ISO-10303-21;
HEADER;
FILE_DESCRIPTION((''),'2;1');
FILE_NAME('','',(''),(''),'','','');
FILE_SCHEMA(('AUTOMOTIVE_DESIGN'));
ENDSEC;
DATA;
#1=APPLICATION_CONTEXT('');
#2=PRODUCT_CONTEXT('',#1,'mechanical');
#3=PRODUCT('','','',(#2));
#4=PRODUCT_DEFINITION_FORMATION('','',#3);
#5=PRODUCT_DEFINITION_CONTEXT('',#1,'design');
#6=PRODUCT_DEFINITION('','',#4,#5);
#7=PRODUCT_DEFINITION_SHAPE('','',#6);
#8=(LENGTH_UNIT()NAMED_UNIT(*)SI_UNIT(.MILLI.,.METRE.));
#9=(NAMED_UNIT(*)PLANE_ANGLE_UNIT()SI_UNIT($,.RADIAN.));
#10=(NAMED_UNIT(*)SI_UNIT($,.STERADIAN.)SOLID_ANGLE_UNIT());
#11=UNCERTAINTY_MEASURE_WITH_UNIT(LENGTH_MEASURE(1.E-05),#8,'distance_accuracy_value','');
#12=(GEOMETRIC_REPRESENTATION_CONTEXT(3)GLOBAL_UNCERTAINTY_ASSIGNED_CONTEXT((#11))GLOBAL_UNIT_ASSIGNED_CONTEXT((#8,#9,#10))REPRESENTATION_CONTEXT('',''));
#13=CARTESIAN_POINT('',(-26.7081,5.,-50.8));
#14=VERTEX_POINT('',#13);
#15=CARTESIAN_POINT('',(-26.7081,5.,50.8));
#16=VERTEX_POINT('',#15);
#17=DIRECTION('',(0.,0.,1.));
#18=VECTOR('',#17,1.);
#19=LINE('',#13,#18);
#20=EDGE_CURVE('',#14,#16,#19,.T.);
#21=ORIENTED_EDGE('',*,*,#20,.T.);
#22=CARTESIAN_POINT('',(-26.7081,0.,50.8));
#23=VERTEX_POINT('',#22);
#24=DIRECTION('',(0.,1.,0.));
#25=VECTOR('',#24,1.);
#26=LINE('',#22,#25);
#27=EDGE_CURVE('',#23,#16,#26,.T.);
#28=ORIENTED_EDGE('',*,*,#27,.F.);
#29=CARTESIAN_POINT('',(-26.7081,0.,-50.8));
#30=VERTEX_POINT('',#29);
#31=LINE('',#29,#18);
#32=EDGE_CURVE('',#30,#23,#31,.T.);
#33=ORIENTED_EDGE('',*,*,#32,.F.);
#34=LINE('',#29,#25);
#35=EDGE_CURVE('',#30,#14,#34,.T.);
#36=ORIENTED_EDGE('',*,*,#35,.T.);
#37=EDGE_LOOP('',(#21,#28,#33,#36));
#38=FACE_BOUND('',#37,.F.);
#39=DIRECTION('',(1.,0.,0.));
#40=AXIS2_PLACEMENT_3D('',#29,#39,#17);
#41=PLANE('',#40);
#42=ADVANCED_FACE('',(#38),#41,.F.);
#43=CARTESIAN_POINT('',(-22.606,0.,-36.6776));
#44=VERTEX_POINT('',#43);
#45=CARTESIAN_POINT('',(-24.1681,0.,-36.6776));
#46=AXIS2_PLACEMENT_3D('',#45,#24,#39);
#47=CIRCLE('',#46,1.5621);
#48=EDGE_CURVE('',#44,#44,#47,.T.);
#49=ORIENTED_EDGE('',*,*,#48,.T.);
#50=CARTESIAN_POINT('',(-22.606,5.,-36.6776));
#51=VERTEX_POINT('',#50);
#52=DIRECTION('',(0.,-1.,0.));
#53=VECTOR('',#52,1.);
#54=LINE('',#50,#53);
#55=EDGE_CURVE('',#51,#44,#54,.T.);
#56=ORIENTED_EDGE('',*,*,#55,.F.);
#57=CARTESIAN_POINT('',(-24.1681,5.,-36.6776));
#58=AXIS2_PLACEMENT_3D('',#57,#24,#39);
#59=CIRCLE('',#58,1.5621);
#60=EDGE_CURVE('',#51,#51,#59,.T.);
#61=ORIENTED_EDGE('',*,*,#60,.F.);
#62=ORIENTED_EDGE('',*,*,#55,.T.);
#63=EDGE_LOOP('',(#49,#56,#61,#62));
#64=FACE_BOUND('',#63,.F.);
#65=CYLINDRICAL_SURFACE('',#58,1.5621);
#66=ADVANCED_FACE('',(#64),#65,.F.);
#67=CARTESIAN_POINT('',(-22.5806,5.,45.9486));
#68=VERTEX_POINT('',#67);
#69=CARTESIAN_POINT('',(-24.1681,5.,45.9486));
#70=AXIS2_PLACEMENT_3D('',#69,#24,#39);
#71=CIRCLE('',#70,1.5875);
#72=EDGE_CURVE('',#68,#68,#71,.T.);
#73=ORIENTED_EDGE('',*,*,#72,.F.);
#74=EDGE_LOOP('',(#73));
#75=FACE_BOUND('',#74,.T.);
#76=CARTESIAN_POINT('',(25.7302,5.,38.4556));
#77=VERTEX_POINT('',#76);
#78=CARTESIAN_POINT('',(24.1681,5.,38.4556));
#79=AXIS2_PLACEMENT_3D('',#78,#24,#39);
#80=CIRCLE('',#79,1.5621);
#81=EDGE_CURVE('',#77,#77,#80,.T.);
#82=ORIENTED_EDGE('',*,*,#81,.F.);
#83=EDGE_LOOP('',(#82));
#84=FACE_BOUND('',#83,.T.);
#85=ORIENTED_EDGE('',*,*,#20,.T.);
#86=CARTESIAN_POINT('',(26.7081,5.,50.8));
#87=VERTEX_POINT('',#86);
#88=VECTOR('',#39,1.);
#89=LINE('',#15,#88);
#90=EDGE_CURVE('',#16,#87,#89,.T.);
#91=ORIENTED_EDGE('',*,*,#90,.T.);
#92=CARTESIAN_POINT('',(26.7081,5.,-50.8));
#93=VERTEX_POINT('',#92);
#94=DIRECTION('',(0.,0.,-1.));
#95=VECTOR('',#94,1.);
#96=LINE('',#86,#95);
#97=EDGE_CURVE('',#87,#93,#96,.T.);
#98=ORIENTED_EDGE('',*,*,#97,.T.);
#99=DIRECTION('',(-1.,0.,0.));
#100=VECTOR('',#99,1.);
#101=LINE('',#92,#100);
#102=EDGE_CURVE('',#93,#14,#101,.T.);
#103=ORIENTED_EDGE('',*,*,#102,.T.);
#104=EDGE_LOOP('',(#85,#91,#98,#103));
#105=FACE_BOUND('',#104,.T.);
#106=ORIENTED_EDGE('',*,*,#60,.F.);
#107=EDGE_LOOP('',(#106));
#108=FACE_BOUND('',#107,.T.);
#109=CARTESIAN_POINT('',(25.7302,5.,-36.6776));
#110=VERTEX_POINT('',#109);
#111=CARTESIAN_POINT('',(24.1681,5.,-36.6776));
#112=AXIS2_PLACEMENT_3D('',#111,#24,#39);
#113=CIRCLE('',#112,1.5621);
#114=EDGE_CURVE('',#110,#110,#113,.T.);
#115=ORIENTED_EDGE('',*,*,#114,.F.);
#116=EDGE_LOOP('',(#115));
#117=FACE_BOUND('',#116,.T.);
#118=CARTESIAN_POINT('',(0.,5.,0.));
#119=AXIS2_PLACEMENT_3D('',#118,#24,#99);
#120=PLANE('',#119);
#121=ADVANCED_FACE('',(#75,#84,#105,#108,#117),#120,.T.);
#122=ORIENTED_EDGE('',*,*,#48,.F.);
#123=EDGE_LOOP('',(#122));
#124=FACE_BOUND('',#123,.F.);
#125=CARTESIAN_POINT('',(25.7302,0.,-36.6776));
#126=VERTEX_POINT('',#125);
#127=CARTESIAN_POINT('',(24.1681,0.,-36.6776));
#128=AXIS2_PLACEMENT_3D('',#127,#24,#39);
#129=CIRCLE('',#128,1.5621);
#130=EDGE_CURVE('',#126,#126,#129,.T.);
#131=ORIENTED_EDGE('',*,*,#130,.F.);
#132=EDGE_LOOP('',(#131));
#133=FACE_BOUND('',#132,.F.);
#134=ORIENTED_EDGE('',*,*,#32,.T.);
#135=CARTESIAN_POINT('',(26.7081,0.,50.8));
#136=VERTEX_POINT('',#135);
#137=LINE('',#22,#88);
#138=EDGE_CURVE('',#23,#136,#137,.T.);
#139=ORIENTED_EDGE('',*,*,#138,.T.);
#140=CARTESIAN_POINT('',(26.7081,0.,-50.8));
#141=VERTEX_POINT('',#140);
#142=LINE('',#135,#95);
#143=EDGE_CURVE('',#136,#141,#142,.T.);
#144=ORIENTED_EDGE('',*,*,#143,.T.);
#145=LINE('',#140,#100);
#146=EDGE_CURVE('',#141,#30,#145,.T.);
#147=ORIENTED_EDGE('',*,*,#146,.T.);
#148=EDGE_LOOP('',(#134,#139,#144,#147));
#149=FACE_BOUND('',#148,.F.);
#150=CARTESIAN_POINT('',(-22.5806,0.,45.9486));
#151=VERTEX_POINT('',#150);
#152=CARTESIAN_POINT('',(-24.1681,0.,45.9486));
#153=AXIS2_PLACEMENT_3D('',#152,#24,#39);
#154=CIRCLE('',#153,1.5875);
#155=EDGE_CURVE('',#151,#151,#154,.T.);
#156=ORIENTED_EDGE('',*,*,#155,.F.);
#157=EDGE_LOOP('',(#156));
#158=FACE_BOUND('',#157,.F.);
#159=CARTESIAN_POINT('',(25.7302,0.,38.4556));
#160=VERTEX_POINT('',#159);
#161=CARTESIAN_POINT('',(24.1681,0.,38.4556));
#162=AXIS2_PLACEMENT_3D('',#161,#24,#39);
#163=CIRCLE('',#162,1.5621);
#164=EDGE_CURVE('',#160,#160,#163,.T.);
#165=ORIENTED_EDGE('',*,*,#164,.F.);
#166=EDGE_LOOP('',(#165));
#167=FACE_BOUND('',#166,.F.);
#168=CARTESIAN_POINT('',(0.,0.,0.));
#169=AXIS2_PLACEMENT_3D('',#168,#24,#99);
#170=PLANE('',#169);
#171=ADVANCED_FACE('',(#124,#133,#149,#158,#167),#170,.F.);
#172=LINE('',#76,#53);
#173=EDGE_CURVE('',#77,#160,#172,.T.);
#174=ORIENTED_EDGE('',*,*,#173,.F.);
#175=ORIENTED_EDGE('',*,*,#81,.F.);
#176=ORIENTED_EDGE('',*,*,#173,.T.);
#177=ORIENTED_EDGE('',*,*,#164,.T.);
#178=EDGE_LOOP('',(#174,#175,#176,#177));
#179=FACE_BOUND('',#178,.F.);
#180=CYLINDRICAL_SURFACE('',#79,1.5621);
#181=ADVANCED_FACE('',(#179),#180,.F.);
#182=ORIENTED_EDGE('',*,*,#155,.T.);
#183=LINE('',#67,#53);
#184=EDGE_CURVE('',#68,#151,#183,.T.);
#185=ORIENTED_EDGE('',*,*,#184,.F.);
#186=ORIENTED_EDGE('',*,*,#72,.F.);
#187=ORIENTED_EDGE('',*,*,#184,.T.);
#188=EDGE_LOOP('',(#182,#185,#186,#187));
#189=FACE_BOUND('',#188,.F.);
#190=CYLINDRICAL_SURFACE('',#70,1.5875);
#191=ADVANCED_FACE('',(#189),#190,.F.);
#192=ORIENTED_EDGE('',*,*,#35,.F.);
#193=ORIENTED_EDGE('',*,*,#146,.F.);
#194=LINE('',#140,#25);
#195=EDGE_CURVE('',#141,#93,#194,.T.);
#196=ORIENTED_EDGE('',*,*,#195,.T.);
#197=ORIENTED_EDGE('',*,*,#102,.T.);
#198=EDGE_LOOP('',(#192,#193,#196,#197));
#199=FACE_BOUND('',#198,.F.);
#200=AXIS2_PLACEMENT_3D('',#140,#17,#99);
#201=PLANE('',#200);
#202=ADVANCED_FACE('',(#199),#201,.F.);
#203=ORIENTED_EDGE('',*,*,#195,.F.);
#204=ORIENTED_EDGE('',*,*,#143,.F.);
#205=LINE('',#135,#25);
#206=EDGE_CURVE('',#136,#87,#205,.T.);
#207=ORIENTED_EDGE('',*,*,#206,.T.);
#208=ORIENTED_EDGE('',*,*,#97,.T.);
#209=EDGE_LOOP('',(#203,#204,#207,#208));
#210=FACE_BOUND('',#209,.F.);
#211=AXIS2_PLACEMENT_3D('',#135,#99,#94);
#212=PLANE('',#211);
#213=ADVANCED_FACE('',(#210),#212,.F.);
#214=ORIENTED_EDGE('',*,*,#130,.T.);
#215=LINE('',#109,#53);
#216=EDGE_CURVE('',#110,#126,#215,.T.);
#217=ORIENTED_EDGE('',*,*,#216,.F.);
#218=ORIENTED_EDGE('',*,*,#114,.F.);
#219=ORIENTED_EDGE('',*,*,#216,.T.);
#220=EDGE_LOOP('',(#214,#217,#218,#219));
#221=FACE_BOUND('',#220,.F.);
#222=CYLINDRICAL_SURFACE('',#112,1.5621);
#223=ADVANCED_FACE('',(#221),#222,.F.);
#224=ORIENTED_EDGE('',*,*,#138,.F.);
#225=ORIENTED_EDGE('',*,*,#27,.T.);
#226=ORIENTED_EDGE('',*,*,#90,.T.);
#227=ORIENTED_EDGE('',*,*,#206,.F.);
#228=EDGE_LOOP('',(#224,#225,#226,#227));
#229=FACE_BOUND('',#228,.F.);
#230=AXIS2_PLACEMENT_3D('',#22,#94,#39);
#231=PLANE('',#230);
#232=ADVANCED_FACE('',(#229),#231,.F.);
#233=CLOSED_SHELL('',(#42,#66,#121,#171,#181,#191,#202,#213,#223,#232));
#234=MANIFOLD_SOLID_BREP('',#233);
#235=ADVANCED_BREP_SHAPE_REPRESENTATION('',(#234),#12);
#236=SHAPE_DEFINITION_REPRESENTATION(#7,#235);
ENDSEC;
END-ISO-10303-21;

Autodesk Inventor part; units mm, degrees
ref_plane "YZ Plane" through (0, 0, 0) normal (1, 0, 0) x (0, 1, 0)
ref_plane "XZ Plane" through (0, 0, 0) normal (0, 1, 0) x (-1, 0, 0)
ref_plane "XY Plane" through (0, 0, 0) normal (0, 0, 1) x (1, 0, 0)
sketch "Sketch1" plane through (0, 0, 0) normal (0, 1, 0) x (-1, 0, 0)
  line L0 (26.7081, 50.8) -> (-26.7081, 50.8)
  line L1 (-26.7081, 50.8) -> (-26.7081, -50.8)
  line L2 (-26.7081, -50.8) -> (26.7081, -50.8)
  line L3 (26.7081, -50.8) -> (26.7081, 50.8)
  point P0 (0, 0)
  dimension "d0" = 101.6
  dimension "d1" = 53.4162
  dimension "d2" = 26.7081
  dimension "d3" = 50.8
extrude "Extrusion1" add sketch "Sketch1" along normal blind 5
sketch "Sketch3" plane through (0, 5, 0) normal (0, 1, 0) x (1, 0, 0)
  circle A0 centre (-24.1681, -45.9486) radius 1.5875
  line L0 (-26.7081, 50.8) -> (-26.7081, -50.8) projected
  circle A1 centre (24.1681, -38.4556) radius 1.5621
  line L1 (26.7081, -50.8) -> (26.7081, 50.8) projected
  circle A2 centre (-24.1681, 36.6776) radius 1.5621
  line L2 (26.7081, 50.8) -> (-26.7081, 50.8) projected
  circle A3 centre (24.1681, 36.6776) radius 1.5621
  line L3 (-26.7081, -50.8) -> (26.7081, -50.8) projected
  point P0 (0, 0)
  dimension "d6" = 3.175
  dimension "d7" = 2.54
  dimension "d9" = 3.1242
  dimension "d10" = 2.54
  dimension "d12" = 3.1242
  dimension "d13" = 2.54
  dimension "d14" = 14.1224
  dimension "d15" = 3.1242
  dimension "d16" = 14.1224
  dimension "d17" = 2.54
  dimension "d32" = 4.8514
  dimension "d36" = 75.1332
extrude "Extrusion4" cut sketch "Sketch3" against normal through all contours A0 | A1 | A2 | A3
equation "\"d2\" = 0.5 * d1"
equation "\"d3\" = 0.5 * d0"
equation "\"d9\" = d15"
properties part number "Arduino Mount" material "Polystyrene, High Impact"
